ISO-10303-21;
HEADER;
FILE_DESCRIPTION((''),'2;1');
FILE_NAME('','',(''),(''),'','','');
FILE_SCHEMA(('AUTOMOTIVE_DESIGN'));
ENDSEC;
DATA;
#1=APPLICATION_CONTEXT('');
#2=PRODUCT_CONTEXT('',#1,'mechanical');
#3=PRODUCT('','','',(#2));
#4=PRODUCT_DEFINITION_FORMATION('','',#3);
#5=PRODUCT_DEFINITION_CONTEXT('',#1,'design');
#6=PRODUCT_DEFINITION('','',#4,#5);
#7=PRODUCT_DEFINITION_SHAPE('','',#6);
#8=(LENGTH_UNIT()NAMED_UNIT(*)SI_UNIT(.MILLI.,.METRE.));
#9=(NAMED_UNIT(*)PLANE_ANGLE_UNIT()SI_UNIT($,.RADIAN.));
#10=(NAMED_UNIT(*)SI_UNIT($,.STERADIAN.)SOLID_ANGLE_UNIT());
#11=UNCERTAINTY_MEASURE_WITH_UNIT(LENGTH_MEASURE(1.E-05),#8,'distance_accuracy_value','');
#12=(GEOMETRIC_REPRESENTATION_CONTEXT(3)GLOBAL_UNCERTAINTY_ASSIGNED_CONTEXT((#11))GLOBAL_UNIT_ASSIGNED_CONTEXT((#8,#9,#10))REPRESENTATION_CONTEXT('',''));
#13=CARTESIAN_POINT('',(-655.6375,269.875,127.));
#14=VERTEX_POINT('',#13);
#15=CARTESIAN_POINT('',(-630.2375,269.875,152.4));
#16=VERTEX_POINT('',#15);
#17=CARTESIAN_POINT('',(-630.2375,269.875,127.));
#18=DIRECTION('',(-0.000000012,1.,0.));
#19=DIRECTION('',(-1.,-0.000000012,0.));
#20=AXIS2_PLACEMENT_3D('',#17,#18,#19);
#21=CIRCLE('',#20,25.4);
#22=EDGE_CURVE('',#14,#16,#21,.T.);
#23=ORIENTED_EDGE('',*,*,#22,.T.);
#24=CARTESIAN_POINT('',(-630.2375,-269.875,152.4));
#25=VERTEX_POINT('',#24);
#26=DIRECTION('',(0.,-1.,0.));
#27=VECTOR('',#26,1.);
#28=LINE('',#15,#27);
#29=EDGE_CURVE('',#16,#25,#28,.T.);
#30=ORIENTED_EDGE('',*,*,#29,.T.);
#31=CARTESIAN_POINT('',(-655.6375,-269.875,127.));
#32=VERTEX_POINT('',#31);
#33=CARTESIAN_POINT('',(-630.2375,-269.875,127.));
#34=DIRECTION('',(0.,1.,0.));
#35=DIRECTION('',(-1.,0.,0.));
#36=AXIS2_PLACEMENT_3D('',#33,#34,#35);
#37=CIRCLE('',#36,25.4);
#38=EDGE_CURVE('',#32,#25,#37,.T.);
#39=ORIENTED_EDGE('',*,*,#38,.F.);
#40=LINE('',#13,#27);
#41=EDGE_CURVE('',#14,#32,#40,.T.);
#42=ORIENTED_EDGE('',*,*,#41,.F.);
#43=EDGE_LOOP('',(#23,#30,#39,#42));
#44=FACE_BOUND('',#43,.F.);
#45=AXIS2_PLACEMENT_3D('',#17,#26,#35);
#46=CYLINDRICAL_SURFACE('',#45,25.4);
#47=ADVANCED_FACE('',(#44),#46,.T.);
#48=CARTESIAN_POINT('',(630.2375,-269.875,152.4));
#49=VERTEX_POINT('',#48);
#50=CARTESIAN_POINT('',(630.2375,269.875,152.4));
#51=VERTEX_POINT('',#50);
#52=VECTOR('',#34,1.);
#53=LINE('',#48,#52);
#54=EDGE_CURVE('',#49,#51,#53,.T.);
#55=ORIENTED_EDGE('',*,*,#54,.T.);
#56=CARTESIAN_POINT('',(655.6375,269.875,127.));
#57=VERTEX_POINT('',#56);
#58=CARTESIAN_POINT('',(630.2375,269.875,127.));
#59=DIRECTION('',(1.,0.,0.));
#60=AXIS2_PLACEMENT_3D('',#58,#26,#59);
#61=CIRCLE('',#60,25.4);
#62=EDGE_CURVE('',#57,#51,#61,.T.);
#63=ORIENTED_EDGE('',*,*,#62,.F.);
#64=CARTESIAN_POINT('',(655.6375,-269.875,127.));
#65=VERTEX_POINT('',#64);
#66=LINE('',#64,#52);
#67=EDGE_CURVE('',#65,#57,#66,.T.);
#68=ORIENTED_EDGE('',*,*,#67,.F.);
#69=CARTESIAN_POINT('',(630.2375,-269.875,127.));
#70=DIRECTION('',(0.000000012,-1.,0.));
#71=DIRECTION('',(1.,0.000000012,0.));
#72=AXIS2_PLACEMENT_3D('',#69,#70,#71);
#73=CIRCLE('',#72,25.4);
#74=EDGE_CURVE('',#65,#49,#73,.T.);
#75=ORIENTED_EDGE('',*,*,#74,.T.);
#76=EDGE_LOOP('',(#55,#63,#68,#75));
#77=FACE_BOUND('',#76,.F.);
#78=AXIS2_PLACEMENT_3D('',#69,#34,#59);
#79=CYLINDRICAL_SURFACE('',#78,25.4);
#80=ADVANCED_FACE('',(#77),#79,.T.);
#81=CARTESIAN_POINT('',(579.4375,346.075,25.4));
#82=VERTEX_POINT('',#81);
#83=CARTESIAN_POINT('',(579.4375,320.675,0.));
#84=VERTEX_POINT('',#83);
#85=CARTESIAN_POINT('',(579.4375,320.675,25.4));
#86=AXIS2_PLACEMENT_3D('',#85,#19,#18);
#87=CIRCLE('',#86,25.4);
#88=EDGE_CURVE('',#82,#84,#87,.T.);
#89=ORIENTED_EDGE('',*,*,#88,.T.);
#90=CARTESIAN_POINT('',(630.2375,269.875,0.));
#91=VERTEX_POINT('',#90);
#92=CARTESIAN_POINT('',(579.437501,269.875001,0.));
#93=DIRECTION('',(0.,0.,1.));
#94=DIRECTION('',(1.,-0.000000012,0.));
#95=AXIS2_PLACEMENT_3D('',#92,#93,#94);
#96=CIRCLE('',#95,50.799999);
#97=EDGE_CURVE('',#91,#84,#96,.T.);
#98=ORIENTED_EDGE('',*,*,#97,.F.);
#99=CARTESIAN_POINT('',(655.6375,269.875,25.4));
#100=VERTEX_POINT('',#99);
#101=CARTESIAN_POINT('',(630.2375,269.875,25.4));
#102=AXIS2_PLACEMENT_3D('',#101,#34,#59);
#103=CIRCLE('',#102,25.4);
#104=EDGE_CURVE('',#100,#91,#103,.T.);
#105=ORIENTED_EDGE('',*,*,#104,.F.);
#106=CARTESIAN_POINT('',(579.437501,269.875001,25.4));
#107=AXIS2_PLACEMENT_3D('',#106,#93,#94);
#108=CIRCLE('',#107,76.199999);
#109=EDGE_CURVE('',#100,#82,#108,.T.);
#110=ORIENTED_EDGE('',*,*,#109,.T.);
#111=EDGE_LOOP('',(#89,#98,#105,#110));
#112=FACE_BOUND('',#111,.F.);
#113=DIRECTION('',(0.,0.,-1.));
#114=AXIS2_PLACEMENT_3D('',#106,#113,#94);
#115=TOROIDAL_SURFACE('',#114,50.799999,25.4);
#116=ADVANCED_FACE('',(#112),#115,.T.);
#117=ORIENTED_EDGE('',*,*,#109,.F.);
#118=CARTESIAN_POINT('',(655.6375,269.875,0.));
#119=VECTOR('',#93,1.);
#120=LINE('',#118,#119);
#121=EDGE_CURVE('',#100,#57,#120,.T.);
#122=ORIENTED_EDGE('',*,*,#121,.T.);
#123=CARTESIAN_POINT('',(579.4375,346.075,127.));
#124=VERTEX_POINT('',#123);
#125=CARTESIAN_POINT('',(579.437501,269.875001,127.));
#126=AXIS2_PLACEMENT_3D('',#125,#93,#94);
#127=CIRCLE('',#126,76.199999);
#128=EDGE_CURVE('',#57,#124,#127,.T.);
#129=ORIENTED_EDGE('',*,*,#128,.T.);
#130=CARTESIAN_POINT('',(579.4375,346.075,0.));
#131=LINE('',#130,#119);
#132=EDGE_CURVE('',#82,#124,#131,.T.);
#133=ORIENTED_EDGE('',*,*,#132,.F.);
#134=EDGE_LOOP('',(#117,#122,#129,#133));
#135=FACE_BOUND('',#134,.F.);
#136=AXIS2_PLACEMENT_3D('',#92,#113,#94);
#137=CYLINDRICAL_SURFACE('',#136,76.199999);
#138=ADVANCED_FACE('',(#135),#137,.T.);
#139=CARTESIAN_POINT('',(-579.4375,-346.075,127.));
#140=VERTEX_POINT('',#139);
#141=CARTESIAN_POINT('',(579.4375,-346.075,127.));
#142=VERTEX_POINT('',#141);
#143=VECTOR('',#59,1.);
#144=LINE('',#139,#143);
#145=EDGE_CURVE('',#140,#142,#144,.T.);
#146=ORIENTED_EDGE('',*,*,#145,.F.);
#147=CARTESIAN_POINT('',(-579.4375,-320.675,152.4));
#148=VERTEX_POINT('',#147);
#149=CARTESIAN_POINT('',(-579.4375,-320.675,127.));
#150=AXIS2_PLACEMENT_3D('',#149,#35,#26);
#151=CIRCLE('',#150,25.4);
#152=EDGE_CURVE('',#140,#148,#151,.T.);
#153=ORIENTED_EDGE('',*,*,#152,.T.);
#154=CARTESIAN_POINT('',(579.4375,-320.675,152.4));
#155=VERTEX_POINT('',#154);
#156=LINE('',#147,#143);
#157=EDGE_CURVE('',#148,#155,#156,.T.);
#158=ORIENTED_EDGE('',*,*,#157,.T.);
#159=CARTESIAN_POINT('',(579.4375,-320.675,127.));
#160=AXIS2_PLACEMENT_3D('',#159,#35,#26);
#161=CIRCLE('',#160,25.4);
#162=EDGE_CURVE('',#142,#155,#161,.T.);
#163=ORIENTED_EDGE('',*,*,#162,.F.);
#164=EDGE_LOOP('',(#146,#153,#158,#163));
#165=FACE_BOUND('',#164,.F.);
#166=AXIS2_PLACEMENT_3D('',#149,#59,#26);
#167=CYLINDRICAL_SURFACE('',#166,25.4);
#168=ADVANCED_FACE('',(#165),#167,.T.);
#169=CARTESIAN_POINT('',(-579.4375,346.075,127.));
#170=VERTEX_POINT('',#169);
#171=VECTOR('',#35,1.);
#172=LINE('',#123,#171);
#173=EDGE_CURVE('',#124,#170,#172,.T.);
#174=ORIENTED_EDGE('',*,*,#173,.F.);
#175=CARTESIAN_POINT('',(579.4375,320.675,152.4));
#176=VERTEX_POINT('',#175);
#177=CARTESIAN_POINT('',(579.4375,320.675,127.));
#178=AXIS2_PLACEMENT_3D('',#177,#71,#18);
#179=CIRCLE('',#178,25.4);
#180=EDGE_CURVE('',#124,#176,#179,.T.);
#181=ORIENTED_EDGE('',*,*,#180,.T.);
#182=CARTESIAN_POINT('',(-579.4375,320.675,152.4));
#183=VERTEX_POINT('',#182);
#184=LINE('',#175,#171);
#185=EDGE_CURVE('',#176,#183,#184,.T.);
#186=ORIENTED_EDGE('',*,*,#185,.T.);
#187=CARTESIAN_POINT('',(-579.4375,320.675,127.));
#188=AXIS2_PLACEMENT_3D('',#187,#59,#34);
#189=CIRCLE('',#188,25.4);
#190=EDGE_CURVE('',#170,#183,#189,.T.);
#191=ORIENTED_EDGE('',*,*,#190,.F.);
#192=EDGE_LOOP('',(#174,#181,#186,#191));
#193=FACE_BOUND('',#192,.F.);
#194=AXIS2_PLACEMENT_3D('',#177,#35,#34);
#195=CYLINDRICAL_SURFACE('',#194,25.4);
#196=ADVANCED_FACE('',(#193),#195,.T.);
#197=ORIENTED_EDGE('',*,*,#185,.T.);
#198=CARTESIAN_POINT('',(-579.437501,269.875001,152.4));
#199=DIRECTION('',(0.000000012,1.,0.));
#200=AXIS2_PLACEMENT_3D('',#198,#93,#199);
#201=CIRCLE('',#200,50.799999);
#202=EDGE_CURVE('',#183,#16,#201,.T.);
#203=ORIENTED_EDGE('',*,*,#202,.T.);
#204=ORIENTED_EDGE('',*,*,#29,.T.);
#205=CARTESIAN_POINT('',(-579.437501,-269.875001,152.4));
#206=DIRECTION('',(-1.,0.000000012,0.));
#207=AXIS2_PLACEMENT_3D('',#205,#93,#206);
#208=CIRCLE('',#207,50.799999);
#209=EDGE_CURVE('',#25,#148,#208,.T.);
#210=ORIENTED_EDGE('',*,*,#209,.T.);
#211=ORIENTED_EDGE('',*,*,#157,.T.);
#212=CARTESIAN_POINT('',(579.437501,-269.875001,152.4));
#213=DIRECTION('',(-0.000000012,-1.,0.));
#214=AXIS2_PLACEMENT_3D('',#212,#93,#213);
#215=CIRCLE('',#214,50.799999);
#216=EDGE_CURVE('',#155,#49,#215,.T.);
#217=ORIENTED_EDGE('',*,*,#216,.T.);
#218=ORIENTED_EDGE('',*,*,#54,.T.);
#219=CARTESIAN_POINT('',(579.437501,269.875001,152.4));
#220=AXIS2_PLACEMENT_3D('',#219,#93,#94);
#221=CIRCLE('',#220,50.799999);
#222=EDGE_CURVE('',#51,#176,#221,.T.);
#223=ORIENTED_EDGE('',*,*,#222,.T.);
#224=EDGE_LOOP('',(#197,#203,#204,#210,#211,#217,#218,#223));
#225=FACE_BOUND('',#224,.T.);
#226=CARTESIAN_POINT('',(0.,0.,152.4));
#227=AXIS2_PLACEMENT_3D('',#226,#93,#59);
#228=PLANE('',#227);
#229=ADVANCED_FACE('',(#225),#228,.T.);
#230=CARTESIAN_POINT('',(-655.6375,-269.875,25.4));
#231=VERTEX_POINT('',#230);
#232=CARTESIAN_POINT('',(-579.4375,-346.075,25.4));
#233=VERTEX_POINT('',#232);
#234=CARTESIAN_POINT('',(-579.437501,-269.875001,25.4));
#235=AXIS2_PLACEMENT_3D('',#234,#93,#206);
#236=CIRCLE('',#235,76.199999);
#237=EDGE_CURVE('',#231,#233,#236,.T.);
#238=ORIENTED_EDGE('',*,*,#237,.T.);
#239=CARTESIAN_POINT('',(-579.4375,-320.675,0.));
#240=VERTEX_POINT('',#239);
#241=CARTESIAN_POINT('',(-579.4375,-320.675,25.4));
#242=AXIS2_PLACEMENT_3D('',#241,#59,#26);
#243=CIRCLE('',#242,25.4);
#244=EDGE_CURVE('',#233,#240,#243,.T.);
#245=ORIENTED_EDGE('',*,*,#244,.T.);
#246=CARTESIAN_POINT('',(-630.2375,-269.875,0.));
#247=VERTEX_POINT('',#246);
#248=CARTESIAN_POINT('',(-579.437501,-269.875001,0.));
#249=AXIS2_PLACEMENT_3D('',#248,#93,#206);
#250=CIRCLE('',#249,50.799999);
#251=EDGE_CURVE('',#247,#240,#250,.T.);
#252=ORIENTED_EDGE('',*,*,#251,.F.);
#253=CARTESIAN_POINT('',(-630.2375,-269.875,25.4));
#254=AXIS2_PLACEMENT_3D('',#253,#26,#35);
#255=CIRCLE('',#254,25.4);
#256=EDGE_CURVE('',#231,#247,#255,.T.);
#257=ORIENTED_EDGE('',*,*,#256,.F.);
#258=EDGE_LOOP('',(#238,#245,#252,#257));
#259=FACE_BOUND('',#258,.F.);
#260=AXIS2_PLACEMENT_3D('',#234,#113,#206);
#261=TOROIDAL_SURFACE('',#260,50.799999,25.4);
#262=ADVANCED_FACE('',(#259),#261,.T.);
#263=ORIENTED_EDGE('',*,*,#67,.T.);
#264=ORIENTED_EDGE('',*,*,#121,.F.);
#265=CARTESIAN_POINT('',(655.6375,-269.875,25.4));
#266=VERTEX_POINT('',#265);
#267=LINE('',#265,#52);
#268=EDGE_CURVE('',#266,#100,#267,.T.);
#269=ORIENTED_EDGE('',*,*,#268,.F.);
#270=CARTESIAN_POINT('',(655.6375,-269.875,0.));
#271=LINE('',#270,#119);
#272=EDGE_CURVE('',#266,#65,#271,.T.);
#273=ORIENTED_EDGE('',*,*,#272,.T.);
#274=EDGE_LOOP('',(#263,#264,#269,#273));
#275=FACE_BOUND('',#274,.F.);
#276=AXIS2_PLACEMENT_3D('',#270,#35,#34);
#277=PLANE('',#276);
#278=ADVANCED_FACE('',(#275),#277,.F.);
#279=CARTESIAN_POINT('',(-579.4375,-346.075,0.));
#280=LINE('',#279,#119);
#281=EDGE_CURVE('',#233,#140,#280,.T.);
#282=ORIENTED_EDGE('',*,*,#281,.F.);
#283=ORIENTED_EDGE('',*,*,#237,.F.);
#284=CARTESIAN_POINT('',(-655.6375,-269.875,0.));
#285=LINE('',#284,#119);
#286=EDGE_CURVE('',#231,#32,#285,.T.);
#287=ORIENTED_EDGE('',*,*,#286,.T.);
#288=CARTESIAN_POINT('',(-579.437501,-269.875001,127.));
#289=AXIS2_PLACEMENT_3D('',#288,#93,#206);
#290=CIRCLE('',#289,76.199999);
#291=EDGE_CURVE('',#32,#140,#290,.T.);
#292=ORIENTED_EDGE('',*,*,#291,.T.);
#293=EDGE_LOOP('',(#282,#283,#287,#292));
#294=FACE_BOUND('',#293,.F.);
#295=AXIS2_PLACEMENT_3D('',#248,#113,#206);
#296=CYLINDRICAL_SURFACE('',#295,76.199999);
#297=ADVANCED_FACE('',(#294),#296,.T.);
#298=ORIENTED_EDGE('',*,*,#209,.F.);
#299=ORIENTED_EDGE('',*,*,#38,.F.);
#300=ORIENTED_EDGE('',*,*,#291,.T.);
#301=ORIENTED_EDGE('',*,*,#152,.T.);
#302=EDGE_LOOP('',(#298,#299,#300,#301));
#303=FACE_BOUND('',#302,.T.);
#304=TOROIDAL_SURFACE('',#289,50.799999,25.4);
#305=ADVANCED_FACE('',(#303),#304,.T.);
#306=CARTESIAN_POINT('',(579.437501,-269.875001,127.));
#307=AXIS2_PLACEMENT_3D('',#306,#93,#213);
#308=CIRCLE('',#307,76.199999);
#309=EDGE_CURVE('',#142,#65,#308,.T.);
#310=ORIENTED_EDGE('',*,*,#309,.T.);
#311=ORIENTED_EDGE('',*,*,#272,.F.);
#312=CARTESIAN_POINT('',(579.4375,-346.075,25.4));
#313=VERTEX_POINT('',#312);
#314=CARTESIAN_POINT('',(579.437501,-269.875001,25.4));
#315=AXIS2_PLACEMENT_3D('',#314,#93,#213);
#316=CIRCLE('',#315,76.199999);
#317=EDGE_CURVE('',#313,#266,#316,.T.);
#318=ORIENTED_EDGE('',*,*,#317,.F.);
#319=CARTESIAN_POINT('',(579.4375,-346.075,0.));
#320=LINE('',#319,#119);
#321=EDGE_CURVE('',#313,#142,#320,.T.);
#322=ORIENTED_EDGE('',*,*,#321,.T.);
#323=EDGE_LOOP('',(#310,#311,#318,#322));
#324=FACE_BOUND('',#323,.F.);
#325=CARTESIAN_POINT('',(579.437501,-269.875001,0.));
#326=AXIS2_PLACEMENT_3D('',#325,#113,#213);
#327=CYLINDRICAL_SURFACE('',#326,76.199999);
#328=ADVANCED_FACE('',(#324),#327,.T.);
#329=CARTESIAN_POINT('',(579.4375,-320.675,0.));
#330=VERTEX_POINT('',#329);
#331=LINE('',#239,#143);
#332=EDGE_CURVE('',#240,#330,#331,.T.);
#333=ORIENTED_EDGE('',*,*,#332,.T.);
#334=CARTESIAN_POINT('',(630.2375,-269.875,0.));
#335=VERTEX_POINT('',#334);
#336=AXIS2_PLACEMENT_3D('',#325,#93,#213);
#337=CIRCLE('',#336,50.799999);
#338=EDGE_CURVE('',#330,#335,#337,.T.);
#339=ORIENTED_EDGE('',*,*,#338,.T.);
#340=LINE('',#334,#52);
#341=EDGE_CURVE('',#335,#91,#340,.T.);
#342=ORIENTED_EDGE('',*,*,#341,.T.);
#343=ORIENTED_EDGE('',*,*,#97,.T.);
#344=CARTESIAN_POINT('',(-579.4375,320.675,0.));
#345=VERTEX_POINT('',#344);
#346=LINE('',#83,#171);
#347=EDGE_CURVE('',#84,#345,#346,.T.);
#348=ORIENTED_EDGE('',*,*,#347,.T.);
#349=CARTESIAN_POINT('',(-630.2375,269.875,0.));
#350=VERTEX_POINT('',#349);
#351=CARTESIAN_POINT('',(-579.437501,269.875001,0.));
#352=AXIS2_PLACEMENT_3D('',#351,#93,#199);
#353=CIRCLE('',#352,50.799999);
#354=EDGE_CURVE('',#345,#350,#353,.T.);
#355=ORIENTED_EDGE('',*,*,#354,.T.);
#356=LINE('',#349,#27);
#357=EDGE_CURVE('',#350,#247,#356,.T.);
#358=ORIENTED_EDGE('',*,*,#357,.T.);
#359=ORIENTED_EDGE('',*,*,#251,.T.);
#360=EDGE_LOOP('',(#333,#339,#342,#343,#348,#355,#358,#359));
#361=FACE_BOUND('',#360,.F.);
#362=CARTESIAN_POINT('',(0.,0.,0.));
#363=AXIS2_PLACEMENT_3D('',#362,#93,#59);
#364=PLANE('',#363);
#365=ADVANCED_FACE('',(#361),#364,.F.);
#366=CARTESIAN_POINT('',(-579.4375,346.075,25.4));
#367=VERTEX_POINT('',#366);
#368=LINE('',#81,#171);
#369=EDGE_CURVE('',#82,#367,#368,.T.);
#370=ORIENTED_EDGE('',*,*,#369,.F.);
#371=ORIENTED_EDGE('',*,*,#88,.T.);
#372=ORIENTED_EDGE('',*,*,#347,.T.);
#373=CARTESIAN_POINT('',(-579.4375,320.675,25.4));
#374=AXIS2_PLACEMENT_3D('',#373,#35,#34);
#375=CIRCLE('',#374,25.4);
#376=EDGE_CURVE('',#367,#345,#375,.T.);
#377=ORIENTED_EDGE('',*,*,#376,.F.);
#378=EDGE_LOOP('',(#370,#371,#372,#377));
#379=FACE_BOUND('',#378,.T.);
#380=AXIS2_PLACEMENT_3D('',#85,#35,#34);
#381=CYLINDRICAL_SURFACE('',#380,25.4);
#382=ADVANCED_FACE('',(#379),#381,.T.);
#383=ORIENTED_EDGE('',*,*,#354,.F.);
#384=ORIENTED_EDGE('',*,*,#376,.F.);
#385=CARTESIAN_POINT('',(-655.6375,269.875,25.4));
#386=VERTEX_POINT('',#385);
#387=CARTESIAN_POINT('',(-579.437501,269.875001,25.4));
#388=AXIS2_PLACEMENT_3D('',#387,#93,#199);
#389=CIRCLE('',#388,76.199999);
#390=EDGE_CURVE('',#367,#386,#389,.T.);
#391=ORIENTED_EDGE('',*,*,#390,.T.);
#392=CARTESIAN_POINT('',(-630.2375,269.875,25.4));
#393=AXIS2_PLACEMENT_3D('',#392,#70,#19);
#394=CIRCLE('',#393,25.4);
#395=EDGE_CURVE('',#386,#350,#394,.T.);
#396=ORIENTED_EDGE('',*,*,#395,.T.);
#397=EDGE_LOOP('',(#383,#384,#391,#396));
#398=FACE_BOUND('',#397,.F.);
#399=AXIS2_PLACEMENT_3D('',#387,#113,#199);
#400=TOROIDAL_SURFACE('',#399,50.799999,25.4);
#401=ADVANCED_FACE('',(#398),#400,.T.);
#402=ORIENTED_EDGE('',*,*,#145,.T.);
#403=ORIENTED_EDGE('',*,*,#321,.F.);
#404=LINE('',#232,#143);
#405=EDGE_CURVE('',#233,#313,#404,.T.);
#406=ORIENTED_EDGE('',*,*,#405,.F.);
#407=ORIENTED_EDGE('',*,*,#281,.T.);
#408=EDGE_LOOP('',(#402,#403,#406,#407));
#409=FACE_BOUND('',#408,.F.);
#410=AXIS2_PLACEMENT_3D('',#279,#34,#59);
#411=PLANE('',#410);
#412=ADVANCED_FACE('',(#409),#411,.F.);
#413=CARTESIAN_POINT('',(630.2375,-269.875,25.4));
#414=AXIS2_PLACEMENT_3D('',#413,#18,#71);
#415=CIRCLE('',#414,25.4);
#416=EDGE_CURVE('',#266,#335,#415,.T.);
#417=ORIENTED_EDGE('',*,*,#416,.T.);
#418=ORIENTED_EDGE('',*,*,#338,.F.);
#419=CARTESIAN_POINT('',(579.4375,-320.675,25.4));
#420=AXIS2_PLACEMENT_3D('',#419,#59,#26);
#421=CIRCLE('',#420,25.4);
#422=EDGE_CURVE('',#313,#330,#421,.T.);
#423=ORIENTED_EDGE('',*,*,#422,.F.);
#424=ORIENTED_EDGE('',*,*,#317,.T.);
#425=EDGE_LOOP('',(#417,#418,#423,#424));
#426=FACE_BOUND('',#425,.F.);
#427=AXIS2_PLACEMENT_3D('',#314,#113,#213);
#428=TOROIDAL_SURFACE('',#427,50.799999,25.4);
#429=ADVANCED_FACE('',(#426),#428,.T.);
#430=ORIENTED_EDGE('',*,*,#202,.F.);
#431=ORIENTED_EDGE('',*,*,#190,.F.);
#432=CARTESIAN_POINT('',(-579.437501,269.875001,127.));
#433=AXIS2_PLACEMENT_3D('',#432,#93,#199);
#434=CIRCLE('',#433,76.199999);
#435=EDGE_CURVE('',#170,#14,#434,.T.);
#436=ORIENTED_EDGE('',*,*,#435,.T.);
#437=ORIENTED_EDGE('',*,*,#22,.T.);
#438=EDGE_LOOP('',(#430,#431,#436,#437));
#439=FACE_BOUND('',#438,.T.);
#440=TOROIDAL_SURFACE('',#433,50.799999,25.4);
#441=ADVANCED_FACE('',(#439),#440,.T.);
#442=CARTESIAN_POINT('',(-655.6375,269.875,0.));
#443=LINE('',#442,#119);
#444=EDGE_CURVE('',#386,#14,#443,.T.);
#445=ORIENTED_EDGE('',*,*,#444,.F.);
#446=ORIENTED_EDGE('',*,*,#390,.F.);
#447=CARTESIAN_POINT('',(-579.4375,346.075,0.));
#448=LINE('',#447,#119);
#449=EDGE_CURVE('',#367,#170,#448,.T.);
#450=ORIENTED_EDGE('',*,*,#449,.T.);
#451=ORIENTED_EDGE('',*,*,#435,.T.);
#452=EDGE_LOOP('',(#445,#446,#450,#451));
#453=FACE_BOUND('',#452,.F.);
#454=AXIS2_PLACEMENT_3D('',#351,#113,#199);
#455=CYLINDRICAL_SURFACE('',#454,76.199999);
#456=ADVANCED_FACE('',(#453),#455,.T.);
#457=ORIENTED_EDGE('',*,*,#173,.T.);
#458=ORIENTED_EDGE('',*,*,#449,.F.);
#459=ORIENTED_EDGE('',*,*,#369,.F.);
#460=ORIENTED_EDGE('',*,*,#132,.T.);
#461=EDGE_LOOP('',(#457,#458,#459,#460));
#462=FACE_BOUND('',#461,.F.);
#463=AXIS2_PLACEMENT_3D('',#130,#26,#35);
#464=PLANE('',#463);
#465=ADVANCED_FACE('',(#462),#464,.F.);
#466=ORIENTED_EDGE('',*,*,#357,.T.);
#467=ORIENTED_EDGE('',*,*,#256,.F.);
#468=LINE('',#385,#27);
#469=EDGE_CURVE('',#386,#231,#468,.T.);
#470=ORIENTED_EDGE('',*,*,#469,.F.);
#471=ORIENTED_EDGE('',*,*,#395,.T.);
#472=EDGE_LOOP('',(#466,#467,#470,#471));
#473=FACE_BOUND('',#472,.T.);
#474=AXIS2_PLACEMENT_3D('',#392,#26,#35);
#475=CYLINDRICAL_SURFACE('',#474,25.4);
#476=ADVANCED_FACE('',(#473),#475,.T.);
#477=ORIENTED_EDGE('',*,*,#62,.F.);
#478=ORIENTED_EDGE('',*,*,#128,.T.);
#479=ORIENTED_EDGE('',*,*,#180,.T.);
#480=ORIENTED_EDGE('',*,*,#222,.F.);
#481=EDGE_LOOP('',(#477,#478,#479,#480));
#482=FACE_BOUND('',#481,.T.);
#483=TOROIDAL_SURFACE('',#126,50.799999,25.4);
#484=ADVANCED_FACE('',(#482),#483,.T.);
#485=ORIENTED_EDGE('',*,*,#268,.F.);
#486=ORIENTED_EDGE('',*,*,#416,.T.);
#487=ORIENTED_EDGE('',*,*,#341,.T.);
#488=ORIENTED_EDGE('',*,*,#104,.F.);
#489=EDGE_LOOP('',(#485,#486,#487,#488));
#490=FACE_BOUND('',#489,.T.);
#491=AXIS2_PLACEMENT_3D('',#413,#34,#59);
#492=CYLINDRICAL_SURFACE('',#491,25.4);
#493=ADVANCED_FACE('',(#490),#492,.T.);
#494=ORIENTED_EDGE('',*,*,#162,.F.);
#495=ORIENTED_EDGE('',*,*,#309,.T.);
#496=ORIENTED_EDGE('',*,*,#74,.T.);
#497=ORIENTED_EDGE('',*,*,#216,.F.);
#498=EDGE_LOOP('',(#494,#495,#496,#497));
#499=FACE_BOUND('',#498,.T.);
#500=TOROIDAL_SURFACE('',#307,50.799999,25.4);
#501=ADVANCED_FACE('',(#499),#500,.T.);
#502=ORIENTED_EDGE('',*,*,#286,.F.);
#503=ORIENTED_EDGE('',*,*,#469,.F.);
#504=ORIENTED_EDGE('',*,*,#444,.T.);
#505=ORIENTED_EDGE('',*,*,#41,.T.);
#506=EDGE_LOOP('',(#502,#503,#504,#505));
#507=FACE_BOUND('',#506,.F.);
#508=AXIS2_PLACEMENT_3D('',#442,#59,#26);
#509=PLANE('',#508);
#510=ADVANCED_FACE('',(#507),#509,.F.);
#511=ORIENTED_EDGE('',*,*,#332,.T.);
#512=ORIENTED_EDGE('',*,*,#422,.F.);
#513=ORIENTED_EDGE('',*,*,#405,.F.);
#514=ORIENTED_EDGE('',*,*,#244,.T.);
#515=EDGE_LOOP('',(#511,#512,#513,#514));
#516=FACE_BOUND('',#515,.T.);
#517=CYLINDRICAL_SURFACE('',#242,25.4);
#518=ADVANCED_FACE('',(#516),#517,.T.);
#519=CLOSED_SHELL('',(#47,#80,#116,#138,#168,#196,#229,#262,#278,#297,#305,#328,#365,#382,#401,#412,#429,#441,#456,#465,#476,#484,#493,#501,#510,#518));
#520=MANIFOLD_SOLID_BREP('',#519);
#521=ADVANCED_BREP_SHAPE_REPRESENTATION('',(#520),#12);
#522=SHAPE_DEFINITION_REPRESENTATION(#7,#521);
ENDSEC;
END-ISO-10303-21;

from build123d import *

# Parameters (mm, degrees)
F1_DEPTH = 152.4
F2_R     = 25.4


with BuildPart() as f1:
    # F0 (on Top) → F1 (new body)
    with BuildSketch(Plane.XY):
        with BuildLine():
            ThreePointArc((655.6375, 269.875), (633.319037, 323.756537), (579.4375, 346.075))
            Line((579.4375, 346.075), (-579.4375, 346.075))
            ThreePointArc((-579.4375, 346.075), (-633.319037, 323.756537), (-655.6375, 269.875))
            Line((-655.6375, 269.875), (-655.6375, -269.875))
            ThreePointArc((-655.6375, -269.875), (-633.319037, -323.756537), (-579.4375, -346.075))
            Line((-579.4375, -346.075), (579.4375, -346.075))
            ThreePointArc((579.4375, -346.075), (633.319037, -323.756537), (655.6375, -269.875))
            Line((655.6375, -269.875), (655.6375, 269.875))
        make_face()
    extrude(amount=F1_DEPTH)

    # F2
    f2_edges = [f1.edges().sort_by_distance(p)[0] for p in [
        (0, -346.075, 152.4),
        (0, -346.075, 0),
    ]]
    fillet(f2_edges, radius=F2_R)


solid = f1.part
